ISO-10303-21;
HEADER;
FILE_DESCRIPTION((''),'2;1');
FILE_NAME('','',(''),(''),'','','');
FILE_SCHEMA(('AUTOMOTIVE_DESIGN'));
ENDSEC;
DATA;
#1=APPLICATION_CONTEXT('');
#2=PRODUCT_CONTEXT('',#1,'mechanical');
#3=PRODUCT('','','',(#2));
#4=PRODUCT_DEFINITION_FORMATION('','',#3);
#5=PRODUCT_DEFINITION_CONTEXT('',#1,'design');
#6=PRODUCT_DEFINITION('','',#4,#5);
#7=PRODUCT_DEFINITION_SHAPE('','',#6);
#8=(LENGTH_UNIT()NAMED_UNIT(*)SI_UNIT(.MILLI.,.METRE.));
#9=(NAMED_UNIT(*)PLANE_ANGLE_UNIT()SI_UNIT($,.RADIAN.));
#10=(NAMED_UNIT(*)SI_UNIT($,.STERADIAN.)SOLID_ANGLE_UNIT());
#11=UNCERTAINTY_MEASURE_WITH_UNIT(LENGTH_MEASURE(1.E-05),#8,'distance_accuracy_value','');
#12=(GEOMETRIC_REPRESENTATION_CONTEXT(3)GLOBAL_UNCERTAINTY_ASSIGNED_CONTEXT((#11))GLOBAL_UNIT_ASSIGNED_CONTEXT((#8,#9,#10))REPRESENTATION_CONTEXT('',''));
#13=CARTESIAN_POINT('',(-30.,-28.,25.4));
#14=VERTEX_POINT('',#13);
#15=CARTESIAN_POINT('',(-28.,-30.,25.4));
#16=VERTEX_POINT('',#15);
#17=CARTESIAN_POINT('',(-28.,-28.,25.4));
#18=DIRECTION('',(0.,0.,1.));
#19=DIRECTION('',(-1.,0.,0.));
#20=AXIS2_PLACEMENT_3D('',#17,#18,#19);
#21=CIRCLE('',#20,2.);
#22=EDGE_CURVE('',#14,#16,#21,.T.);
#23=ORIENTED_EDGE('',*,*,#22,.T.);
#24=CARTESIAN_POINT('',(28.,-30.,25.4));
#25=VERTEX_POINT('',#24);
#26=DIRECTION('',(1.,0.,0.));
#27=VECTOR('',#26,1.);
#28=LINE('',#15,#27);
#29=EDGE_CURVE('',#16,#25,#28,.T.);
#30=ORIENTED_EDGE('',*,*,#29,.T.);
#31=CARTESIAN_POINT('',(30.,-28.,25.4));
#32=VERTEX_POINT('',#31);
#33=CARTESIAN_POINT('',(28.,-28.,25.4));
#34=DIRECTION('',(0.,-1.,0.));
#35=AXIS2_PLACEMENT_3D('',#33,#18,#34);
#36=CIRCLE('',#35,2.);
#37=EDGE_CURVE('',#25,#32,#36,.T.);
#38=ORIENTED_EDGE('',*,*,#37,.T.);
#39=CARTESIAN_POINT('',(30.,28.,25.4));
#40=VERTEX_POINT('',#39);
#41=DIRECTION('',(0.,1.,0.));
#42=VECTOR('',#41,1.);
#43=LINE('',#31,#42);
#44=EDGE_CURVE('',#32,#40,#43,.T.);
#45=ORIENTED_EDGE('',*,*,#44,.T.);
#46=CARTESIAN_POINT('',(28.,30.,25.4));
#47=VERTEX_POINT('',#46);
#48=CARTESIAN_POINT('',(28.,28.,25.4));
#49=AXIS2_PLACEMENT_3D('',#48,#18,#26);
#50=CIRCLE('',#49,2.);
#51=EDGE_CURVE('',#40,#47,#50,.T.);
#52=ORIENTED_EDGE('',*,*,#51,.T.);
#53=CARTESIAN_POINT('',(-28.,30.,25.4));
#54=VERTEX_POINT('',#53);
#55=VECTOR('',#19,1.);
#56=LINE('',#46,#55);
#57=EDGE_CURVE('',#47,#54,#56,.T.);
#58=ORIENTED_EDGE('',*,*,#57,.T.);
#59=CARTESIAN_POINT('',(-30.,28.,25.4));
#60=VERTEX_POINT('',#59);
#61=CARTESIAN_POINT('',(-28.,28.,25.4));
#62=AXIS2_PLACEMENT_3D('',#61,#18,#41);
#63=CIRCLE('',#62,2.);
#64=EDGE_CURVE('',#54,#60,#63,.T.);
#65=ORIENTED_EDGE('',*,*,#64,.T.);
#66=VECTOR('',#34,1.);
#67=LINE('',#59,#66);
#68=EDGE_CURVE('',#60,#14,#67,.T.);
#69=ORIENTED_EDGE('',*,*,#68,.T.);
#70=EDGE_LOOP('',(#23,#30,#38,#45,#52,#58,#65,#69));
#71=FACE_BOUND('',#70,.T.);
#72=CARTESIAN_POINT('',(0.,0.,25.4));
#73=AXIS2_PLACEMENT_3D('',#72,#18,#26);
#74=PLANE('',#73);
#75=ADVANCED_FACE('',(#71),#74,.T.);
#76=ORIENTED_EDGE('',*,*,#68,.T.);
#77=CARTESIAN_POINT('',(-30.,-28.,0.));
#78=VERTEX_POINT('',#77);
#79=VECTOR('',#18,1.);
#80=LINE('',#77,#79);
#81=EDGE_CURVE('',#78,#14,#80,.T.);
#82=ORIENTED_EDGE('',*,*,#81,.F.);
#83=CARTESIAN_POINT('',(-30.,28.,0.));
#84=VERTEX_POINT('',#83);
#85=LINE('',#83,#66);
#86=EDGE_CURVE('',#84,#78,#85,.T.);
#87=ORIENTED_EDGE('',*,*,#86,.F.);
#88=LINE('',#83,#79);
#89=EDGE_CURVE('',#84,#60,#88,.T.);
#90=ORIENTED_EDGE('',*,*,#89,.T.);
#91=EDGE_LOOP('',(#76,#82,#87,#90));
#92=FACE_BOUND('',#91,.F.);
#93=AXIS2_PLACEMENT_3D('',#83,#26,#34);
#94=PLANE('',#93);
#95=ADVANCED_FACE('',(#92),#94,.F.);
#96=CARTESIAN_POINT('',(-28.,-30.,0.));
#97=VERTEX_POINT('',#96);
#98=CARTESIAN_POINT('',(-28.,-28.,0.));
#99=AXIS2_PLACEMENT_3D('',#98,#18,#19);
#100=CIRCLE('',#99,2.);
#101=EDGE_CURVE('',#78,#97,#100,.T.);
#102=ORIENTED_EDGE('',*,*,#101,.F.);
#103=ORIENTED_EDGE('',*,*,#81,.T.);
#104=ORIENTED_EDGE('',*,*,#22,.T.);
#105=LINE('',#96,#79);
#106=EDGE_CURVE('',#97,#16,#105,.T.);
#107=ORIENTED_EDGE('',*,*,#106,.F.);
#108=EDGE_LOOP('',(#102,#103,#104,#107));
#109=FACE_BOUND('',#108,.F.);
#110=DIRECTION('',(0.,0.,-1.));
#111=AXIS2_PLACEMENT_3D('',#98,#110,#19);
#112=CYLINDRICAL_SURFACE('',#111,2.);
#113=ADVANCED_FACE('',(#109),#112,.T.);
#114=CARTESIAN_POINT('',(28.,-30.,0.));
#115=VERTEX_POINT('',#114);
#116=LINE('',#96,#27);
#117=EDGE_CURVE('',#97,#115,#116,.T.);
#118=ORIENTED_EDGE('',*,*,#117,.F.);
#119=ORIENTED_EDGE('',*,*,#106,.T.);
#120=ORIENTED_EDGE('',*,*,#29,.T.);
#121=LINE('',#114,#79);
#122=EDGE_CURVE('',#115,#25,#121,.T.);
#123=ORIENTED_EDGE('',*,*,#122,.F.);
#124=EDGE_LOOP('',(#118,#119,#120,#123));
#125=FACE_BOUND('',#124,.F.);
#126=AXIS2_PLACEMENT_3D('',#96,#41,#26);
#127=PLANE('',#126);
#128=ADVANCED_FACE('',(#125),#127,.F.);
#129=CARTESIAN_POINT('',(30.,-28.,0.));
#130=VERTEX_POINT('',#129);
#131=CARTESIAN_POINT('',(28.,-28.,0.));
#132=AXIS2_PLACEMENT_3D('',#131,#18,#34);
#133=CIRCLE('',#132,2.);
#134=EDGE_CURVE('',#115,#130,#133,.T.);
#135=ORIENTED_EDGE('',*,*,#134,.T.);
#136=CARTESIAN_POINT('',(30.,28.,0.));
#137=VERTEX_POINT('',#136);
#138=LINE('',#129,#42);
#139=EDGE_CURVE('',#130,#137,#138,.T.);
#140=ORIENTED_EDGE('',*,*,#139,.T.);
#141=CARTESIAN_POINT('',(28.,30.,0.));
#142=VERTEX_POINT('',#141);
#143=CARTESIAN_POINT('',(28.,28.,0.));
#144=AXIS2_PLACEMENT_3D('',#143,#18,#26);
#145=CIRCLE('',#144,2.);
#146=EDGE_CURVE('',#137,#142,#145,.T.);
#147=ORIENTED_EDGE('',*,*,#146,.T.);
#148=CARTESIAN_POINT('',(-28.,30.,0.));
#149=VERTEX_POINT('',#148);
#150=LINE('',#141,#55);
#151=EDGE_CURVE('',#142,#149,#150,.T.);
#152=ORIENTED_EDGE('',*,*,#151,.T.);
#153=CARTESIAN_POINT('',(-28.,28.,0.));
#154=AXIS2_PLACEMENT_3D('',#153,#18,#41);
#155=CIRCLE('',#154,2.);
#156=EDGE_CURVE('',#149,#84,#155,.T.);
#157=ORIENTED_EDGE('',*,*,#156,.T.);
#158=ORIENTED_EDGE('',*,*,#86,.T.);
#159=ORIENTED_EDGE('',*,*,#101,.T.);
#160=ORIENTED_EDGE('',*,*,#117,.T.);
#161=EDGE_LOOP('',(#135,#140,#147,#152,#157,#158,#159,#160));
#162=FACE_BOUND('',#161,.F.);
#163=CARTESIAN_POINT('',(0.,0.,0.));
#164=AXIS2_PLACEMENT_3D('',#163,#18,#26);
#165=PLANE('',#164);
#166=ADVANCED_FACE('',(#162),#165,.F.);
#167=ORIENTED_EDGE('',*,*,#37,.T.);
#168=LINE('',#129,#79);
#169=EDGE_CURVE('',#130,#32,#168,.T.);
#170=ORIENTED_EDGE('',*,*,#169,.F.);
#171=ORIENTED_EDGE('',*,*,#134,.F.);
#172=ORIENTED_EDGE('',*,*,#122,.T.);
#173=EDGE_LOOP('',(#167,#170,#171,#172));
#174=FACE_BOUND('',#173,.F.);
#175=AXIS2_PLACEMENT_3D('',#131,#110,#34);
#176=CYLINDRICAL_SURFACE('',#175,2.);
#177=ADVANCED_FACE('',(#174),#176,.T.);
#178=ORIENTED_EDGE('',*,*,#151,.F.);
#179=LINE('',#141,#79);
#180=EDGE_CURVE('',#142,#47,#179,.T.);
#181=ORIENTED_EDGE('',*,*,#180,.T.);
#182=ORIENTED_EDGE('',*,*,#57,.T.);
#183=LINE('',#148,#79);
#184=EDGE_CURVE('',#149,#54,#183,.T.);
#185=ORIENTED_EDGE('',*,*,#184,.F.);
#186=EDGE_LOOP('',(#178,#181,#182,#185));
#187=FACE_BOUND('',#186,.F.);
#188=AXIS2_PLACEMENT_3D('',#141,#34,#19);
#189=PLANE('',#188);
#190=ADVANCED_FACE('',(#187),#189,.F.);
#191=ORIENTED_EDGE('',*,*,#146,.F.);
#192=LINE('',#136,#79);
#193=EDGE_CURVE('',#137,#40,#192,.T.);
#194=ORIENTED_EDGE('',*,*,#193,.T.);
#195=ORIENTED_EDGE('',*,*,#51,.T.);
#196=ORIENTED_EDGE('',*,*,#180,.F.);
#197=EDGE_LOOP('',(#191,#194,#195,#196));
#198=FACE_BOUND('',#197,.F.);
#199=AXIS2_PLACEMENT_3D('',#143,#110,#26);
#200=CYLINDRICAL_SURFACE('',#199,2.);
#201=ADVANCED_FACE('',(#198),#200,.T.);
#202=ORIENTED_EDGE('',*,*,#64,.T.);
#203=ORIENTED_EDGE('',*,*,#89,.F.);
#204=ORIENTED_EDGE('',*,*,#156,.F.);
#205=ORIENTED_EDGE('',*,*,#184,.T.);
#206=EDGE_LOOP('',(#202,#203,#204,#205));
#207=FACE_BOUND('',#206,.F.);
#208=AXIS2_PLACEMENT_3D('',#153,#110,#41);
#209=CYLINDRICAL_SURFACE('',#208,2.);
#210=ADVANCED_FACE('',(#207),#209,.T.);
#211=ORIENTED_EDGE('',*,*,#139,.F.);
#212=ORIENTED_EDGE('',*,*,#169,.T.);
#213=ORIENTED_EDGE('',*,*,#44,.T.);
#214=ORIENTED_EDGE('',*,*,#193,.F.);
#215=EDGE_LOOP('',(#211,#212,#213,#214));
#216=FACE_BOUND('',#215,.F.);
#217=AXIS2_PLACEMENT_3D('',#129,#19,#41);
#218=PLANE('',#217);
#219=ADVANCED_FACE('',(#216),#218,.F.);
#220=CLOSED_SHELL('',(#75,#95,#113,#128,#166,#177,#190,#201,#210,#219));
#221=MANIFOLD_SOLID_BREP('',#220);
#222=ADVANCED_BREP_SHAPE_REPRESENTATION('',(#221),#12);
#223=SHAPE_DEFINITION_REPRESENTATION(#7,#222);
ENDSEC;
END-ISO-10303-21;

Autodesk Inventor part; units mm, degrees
ref_plane "YZ Plane" through (0, 0, 0) normal (1, 0, 0) x (0, 1, 0)
ref_plane "XZ Plane" through (0, 0, 0) normal (0, 1, 0) x (-1, 0, 0)
ref_plane "XY Plane" through (0, 0, 0) normal (0, 0, 1) x (1, 0, 0)
sketch "Sketch3" plane through (0, 0, 0) normal (0, 0, -1) x (-1, 0, 0)
  line L0 (28, -30) -> (-28, -30)
  line L1 (-30, -28) -> (-30, 28)
  line L2 (-28, 30) -> (28, 30)
  line L3 (30, 28) -> (30, -28)
  circle A0 centre (0, 0) radius 23.5
  arc A1 (28, -30) -> (30, -28) centre (28, -28) ccw
  arc A2 (30, 28) -> (28, 30) centre (28, 28) ccw
  arc A3 (-30, -28) -> (-28, -30) centre (-28, -28) ccw
  arc A4 (-28, 30) -> (-30, 28) centre (-28, 28) ccw
  line L4 (0, -58.6799) -> (0, 58.6799)
  line L5 (58.6799, 0) -> (-58.6799, 0)
  point P0 (30, -30)
  point P1 (-30, -30)
  point P2 (30, 30)
  point P3 (26.5, 15)
  point P4 (26.5, 15)
  point P5 (22.4506, 22.4506)
  point P6 (-22.4506, 22.4506)
  point P7 (-22.4506, -22.4506)
  point P8 (22.4506, -22.4506)
  point P9 (15, 26.5)
  point P10 (-15, 26.5)
  point P11 (-26.5, -15)
  point P12 (15, -26.5)
  point P13 (-26.5, 15)
  point P14 (-15, -26.5)
  point P15 (26.5, -15)
sketch "Sketch2" plane through (0, 0, 0) normal (0, 0, 1) x (1, 0, 0)
  line L0 (28, 30) -> (-28, 30) projected
  arc A0 (-28, 30) -> (-30, 28) centre (-28, 28) ccw projected
  line L1 (-30, 28) -> (-30, -28) projected
  line L2 (30, -28) -> (30, 28) projected
  arc A1 (30, 28) -> (28, 30) centre (28, 28) ccw projected
  arc A2 (28, -30) -> (30, -28) centre (28, -28) ccw projected
  line L3 (-28, -30) -> (28, -30) projected
  arc A3 (-30, -28) -> (-28, -30) centre (-28, -28) ccw projected
  line L4 (-30, 30) -> (30, 30)
  line L5 (30, 30) -> (30, -30)
  line L6 (30, -30) -> (-30, -30)
  line L7 (-30, -30) -> (-30, 30)
  point P0 (0, 0)
  point P1 (-26.5, 15)
  point P2 (-22.4506, 22.4506)
  point P3 (-15, 26.5)
  point P4 (15, 26.5)
  point P5 (-26.5, -15)
  point P6 (-22.4506, -22.4506)
  point P7 (-15, -26.5)
  point P8 (15, -26.5)
  point P9 (22.4506, -22.4506)
  point P10 (26.5, -15)
extrude "Extrusion2" add sketch "Sketch2" along normal blind 25.4 contours A1 L2 A2 L3 A3 L1 A0 L0
properties part number "Glass"
